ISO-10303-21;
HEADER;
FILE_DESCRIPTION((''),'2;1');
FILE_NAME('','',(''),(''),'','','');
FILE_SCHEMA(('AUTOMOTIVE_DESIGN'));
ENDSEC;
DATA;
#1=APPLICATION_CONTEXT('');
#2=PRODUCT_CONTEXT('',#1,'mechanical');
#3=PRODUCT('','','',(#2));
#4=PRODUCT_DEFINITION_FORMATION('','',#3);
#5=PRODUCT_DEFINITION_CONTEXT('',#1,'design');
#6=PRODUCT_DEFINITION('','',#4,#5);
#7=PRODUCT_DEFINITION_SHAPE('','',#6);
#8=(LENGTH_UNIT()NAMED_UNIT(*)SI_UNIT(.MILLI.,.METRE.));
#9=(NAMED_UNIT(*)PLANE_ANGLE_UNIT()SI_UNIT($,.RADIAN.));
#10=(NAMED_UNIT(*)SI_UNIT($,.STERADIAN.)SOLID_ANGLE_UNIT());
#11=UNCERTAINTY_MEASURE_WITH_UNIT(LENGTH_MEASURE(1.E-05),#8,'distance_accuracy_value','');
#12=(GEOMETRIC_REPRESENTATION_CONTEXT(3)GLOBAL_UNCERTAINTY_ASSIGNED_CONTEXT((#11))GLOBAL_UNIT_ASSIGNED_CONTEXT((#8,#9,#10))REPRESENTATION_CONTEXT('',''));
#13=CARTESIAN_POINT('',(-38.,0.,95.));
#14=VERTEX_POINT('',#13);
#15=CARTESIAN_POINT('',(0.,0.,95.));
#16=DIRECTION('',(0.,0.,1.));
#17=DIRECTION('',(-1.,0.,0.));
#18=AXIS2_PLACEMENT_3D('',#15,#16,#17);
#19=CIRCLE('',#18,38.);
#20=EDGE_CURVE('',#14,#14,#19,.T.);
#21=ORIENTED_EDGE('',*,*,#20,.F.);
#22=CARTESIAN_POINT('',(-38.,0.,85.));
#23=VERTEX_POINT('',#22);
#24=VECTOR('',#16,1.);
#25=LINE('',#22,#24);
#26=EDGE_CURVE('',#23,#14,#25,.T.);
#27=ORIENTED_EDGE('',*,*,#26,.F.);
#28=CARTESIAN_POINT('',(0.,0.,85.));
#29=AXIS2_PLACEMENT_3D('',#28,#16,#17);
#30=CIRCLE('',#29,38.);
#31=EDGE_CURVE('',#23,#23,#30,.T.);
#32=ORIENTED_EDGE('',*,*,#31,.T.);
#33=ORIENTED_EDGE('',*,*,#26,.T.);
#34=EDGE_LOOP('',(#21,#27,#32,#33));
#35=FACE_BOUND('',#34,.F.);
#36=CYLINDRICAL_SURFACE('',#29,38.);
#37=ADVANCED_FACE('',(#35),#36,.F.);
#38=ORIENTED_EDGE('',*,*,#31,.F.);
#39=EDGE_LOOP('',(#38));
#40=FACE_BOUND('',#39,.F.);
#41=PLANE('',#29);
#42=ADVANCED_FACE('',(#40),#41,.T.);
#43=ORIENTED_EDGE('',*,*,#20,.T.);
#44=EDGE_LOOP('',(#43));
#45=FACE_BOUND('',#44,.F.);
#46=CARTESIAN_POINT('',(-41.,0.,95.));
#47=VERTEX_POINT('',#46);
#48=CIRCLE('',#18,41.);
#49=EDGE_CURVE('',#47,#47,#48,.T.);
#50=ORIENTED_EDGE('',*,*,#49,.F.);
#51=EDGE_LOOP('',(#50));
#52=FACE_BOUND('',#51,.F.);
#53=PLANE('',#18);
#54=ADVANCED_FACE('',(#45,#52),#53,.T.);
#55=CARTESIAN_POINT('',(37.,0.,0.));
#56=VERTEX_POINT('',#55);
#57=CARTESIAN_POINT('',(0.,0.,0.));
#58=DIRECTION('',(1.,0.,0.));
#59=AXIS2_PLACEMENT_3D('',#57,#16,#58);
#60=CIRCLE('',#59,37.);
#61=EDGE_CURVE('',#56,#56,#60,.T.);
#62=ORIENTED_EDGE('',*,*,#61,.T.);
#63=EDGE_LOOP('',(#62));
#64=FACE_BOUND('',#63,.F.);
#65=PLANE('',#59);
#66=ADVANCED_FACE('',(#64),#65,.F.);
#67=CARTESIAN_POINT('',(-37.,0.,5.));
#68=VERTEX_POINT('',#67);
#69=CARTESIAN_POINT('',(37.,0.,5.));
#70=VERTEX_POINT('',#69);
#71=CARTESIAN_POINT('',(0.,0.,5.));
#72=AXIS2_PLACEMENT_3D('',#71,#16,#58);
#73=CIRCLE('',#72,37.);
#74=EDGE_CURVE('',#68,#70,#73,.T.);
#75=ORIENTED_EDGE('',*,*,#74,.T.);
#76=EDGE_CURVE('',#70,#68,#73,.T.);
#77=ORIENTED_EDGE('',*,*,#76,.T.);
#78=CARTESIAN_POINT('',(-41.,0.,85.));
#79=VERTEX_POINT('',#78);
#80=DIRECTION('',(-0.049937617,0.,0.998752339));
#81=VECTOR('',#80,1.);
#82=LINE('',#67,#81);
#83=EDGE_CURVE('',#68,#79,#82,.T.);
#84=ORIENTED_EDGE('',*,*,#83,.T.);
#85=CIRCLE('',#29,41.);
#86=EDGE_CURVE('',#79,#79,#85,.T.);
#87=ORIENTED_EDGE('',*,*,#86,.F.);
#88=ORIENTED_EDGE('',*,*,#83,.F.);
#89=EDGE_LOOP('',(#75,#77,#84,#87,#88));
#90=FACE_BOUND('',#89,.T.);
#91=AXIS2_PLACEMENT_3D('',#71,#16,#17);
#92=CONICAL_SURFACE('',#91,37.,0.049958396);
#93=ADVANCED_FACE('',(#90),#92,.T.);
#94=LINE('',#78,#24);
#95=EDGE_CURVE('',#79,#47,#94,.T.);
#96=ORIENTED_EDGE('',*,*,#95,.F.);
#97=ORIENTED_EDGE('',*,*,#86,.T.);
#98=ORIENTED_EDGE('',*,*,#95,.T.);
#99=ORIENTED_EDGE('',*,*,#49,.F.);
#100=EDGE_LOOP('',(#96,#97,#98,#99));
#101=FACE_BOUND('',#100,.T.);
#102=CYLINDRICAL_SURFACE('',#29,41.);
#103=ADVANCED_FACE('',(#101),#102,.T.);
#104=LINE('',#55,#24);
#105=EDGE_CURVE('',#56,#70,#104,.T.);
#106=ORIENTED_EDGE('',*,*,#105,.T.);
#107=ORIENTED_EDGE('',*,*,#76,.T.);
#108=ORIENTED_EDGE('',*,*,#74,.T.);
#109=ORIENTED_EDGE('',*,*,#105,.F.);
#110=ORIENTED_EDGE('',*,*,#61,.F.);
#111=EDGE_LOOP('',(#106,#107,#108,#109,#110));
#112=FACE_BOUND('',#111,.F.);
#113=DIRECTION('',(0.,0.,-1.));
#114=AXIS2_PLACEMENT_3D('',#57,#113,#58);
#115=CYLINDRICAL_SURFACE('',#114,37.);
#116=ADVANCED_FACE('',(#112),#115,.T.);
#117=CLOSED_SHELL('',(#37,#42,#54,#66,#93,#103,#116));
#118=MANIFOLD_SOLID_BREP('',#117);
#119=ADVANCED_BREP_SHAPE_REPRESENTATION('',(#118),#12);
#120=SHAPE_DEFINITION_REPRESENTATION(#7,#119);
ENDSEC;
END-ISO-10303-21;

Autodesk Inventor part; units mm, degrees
sketch "Sketch1" plane through (0, 0, 0) normal (0, 0, 1) x (1, 0, 0)
  line L0 (0, 2.8582) -> (0, -2.8582) construction
  line L1 (-5.7775, 0) -> (5.7775, 0) construction
  circle A0 centre (0, 0) radius 37
  dimension "d0" = 74
extrude "Extrusion1" add sketch "Sketch1" along normal blind 5
sketch "Sketch2" plane through (0, 0, 0) normal (0, 1, 0) x (-1, 0, 0)
  line L0 (37, 5) -> (37, 0) projected
  line L1 (37, 0) -> (-37, 0) projected
  line L2 (-37, 0) -> (-37, 5) projected
  line L3 (-37, 5) -> (37, 5) projected
  line L4 (0, 0) -> (0, 85)
  line L5 (0, 85) -> (41, 85)
  line L6 (41, 85) -> (41, 95)
  line L7 (38, 85) -> (38, 95)
  line L8 (38, 95) -> (41, 95)
  line L9 (37, 5) -> (41, 85)
  line L10 (38, 85) -> (34, 5)
  point P0 (0, 5)
  dimension "d4" = 85
  dimension "d5" = 41
  dimension "d6" = 38
  dimension "d7" = 10
  dimension "d8" = 10
revolve "Revolution1" add sketch "Sketch2" angle 360 about axis through (0, 0, 0) along (0, 0, 1) contours L3 L10 L5 L9 | L3 L4 L5 L10 | L5 L7 L8 L6
properties part number "Glas - Reservoir" material "S235"
